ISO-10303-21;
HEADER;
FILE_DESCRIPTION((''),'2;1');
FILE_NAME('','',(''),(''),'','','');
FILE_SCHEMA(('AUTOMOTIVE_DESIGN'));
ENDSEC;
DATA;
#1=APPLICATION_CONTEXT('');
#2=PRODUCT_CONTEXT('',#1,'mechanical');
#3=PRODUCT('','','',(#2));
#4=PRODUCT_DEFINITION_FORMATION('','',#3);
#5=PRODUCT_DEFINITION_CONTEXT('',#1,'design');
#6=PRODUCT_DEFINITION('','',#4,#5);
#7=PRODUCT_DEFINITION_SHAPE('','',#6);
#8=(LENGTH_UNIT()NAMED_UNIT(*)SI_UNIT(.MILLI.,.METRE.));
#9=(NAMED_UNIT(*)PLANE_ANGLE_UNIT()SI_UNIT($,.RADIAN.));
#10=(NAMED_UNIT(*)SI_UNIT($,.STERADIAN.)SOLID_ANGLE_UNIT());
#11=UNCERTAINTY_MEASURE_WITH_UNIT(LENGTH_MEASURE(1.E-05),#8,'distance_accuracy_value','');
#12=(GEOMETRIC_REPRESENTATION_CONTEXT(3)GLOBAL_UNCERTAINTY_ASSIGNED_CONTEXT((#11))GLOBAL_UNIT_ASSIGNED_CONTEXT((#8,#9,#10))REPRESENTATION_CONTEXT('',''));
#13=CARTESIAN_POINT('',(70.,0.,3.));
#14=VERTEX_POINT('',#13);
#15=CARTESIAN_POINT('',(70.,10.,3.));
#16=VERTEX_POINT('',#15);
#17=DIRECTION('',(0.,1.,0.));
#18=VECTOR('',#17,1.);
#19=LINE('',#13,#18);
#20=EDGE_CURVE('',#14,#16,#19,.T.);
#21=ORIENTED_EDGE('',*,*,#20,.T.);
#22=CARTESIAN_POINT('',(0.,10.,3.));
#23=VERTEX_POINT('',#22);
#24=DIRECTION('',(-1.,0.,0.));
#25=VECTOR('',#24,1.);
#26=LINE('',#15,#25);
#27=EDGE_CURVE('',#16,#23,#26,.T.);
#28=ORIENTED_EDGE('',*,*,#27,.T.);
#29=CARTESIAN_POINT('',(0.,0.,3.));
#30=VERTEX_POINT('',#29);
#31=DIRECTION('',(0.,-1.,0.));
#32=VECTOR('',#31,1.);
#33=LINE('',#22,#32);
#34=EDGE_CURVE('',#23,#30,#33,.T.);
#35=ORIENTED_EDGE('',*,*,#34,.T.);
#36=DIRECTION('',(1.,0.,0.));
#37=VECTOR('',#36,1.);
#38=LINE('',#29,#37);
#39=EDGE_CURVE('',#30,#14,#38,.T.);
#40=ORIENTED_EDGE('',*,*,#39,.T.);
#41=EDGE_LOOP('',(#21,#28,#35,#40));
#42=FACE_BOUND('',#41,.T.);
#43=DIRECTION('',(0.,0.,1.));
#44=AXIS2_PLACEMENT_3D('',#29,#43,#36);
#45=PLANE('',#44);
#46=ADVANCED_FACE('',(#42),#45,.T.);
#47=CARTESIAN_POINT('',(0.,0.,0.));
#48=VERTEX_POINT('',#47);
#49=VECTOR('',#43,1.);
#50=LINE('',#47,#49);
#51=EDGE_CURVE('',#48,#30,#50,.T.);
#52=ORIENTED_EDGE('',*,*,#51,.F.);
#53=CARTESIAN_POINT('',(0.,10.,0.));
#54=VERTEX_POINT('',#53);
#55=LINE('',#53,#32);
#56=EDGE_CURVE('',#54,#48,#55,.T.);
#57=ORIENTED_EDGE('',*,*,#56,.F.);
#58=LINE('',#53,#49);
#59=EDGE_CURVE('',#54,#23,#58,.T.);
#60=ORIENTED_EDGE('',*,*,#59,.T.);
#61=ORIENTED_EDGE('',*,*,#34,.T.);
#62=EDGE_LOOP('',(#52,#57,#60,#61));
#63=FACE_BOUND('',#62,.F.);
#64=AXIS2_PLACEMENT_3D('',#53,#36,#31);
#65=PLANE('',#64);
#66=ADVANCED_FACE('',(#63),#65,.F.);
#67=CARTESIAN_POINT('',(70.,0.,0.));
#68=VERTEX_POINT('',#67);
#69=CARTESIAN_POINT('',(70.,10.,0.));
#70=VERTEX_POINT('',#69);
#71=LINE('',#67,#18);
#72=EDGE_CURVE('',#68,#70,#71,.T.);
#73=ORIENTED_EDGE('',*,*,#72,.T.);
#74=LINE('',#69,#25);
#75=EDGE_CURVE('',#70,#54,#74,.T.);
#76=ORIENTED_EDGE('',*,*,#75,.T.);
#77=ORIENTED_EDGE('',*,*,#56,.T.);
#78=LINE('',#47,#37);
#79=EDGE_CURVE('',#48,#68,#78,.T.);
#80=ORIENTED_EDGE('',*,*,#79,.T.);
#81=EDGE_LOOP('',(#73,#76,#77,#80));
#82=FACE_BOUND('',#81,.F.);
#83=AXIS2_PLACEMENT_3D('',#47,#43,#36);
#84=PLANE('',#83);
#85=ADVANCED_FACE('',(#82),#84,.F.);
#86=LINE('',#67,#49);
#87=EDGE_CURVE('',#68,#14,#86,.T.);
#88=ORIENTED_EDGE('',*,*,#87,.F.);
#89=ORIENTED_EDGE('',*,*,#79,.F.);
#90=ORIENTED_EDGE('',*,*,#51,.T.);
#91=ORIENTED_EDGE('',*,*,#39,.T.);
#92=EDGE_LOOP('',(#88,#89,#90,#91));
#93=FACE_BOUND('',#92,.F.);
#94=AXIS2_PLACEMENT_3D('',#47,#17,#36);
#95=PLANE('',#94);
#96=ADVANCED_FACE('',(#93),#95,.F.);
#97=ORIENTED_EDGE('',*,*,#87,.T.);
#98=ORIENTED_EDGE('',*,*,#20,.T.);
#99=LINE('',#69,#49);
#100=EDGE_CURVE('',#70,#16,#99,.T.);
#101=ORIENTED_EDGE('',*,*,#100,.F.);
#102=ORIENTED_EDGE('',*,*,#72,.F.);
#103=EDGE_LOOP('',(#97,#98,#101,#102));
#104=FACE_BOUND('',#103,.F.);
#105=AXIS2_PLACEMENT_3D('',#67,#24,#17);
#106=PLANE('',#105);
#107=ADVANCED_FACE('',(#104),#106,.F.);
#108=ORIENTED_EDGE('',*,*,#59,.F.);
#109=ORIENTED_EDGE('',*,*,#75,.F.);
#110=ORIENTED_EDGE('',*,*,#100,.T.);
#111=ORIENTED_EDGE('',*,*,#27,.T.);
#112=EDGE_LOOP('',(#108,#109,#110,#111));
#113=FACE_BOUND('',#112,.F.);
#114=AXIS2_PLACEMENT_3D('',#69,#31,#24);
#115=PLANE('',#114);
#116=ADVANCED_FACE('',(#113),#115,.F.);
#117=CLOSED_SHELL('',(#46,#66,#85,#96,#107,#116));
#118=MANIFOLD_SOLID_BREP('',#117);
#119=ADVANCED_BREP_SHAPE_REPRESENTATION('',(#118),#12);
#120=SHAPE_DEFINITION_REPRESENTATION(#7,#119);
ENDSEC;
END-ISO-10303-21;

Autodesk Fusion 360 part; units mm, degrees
sketch "Sketch1" plane through (0, 0, 0) normal (0, 0, 1) x (1, 0, 0)
  line L0 (0, 0) -> (70, 0)
  line L1 (70, 0) -> (70, 10)
  line L2 (70, 10) -> (0, 10)
  line L3 (0, 10) -> (0, 0)
  dimension "d1" = 70
  dimension "d2" = 10
extrude "Extrude1" add sketch "Sketch1" along normal blind 3
fillet "Fillet1" [suppressed]
